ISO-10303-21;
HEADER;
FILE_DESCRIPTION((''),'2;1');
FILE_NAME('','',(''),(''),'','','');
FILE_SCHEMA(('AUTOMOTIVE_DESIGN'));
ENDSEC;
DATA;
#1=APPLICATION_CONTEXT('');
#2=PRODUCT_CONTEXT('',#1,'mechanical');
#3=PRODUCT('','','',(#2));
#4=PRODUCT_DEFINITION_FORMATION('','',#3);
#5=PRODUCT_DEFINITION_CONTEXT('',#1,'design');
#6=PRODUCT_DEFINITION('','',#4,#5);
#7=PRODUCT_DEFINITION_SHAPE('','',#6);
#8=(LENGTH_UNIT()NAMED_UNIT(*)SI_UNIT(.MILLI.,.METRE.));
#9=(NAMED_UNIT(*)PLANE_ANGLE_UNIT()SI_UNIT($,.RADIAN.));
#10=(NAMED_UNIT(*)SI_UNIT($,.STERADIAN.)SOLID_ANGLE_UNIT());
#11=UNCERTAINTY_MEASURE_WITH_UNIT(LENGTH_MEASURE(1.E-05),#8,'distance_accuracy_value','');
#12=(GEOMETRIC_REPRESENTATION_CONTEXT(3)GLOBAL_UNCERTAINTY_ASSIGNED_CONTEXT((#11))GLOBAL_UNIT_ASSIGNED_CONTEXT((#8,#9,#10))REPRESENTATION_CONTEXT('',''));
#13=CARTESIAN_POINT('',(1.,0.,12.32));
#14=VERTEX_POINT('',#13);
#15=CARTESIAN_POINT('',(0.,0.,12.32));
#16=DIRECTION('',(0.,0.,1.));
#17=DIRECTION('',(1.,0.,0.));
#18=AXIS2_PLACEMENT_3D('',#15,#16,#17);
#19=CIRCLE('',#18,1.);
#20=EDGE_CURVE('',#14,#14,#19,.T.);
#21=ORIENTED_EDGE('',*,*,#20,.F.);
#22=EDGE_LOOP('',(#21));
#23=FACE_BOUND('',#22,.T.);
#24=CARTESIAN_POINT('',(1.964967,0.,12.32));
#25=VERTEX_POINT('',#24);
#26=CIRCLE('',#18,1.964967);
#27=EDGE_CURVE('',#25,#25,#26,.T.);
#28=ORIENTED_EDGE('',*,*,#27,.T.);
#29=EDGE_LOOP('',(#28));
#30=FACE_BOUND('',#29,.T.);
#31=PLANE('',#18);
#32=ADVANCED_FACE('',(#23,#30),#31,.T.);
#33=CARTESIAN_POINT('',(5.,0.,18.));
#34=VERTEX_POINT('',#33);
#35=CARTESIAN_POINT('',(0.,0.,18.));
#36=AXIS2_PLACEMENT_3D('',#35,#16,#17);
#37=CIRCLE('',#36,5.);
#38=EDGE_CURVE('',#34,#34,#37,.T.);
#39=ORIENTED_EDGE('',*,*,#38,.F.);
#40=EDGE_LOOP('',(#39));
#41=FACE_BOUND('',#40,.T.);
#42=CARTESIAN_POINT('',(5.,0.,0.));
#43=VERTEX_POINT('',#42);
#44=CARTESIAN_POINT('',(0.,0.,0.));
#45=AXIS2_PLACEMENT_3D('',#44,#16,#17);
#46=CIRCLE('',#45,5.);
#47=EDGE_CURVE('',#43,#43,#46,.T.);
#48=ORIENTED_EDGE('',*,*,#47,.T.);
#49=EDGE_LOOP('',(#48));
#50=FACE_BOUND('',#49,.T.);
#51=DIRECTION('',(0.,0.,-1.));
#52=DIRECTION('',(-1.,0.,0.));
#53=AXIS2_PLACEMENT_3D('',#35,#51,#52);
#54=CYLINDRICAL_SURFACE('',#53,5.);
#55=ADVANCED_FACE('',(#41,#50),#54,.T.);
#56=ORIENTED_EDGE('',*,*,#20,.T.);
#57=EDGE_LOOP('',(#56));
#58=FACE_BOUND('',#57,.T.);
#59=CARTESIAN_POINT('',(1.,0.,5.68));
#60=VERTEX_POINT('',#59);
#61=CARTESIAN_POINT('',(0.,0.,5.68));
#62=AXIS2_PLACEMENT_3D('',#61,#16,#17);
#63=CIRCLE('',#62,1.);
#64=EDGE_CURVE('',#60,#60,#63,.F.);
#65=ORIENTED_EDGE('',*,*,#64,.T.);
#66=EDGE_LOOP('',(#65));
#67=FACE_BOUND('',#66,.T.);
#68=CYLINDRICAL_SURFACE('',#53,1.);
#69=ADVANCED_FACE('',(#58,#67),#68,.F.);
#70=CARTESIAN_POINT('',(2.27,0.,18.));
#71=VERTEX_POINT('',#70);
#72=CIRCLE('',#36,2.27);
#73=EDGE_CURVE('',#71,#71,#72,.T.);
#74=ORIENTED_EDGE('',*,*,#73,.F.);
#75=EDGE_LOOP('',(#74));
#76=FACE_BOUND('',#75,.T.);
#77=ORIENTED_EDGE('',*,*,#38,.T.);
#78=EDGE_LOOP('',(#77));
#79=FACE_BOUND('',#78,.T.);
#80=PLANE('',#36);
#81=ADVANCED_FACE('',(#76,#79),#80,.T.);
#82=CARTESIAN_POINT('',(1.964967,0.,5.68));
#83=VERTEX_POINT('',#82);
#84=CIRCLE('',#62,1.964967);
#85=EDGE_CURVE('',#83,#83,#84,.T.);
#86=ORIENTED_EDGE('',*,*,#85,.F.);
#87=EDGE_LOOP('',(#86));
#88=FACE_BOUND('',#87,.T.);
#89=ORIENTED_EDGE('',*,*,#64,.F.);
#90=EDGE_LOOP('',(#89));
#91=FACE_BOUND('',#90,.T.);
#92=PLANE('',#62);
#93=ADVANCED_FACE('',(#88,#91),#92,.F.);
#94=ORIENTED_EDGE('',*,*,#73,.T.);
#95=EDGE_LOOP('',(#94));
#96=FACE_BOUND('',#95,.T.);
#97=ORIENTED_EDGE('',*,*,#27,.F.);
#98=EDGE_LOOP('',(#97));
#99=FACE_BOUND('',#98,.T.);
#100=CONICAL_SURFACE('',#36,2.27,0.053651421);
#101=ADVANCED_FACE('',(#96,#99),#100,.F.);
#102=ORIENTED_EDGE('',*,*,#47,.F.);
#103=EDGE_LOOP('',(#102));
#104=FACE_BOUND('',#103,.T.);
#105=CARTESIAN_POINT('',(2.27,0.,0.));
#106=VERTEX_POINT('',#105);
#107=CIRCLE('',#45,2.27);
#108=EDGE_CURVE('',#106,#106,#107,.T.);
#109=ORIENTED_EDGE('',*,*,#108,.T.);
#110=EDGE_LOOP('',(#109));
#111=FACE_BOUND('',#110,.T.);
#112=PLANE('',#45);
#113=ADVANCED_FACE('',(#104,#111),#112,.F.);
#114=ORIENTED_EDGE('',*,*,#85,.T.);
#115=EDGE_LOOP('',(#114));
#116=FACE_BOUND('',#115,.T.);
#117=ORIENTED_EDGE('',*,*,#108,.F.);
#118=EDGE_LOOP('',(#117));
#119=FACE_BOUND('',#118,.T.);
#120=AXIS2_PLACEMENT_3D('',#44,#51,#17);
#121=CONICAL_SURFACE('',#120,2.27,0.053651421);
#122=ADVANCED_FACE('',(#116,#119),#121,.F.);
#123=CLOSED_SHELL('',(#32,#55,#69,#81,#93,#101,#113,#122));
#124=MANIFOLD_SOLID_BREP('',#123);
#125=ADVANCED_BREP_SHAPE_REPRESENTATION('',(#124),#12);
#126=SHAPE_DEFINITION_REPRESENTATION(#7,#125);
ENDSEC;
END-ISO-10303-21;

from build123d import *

# Parameters (mm, degrees)
SKETCH1_R           = 5
BOSS_EXTRUDE1_DEPTH = 18
SKETCH2_R           = 2.27
CUT_EXTRUDE1_DEPTH  = 5.68
CUT_EXTRUDE1_TAPER  = 3.074
SKETCH7_R           = 1
CUT_EXTRUDE2_DEPTH  = 19
SKETCH9_R           = 2.27
CUT_EXTRUDE3_DEPTH  = 5.68
CUT_EXTRUDE3_TAPER  = 3.074


with BuildPart() as part:
    # Sketch1 → Boss-Extrude1 (new body)
    with BuildSketch(Plane.XY):
        Circle(SKETCH1_R)
    extrude(amount=BOSS_EXTRUDE1_DEPTH)

    # Sketch2 → Cut-Extrude1 (cut)
    with BuildSketch(Plane.XY):
        Circle(SKETCH2_R)
    extrude(amount=CUT_EXTRUDE1_DEPTH, taper=CUT_EXTRUDE1_TAPER, mode=Mode.SUBTRACT)

    # Sketch7 → Cut-Extrude2 (cut, through all)
    with BuildSketch(Plane.XY):
        Circle(SKETCH7_R)
    extrude(amount=CUT_EXTRUDE2_DEPTH, mode=Mode.SUBTRACT)

    # Sketch9 → Cut-Extrude3 (cut)
    with BuildSketch(Plane.XY.offset(18)):
        Circle(SKETCH9_R)
    extrude(amount=-CUT_EXTRUDE3_DEPTH, taper=CUT_EXTRUDE3_TAPER, mode=Mode.SUBTRACT)


solid = part.part
